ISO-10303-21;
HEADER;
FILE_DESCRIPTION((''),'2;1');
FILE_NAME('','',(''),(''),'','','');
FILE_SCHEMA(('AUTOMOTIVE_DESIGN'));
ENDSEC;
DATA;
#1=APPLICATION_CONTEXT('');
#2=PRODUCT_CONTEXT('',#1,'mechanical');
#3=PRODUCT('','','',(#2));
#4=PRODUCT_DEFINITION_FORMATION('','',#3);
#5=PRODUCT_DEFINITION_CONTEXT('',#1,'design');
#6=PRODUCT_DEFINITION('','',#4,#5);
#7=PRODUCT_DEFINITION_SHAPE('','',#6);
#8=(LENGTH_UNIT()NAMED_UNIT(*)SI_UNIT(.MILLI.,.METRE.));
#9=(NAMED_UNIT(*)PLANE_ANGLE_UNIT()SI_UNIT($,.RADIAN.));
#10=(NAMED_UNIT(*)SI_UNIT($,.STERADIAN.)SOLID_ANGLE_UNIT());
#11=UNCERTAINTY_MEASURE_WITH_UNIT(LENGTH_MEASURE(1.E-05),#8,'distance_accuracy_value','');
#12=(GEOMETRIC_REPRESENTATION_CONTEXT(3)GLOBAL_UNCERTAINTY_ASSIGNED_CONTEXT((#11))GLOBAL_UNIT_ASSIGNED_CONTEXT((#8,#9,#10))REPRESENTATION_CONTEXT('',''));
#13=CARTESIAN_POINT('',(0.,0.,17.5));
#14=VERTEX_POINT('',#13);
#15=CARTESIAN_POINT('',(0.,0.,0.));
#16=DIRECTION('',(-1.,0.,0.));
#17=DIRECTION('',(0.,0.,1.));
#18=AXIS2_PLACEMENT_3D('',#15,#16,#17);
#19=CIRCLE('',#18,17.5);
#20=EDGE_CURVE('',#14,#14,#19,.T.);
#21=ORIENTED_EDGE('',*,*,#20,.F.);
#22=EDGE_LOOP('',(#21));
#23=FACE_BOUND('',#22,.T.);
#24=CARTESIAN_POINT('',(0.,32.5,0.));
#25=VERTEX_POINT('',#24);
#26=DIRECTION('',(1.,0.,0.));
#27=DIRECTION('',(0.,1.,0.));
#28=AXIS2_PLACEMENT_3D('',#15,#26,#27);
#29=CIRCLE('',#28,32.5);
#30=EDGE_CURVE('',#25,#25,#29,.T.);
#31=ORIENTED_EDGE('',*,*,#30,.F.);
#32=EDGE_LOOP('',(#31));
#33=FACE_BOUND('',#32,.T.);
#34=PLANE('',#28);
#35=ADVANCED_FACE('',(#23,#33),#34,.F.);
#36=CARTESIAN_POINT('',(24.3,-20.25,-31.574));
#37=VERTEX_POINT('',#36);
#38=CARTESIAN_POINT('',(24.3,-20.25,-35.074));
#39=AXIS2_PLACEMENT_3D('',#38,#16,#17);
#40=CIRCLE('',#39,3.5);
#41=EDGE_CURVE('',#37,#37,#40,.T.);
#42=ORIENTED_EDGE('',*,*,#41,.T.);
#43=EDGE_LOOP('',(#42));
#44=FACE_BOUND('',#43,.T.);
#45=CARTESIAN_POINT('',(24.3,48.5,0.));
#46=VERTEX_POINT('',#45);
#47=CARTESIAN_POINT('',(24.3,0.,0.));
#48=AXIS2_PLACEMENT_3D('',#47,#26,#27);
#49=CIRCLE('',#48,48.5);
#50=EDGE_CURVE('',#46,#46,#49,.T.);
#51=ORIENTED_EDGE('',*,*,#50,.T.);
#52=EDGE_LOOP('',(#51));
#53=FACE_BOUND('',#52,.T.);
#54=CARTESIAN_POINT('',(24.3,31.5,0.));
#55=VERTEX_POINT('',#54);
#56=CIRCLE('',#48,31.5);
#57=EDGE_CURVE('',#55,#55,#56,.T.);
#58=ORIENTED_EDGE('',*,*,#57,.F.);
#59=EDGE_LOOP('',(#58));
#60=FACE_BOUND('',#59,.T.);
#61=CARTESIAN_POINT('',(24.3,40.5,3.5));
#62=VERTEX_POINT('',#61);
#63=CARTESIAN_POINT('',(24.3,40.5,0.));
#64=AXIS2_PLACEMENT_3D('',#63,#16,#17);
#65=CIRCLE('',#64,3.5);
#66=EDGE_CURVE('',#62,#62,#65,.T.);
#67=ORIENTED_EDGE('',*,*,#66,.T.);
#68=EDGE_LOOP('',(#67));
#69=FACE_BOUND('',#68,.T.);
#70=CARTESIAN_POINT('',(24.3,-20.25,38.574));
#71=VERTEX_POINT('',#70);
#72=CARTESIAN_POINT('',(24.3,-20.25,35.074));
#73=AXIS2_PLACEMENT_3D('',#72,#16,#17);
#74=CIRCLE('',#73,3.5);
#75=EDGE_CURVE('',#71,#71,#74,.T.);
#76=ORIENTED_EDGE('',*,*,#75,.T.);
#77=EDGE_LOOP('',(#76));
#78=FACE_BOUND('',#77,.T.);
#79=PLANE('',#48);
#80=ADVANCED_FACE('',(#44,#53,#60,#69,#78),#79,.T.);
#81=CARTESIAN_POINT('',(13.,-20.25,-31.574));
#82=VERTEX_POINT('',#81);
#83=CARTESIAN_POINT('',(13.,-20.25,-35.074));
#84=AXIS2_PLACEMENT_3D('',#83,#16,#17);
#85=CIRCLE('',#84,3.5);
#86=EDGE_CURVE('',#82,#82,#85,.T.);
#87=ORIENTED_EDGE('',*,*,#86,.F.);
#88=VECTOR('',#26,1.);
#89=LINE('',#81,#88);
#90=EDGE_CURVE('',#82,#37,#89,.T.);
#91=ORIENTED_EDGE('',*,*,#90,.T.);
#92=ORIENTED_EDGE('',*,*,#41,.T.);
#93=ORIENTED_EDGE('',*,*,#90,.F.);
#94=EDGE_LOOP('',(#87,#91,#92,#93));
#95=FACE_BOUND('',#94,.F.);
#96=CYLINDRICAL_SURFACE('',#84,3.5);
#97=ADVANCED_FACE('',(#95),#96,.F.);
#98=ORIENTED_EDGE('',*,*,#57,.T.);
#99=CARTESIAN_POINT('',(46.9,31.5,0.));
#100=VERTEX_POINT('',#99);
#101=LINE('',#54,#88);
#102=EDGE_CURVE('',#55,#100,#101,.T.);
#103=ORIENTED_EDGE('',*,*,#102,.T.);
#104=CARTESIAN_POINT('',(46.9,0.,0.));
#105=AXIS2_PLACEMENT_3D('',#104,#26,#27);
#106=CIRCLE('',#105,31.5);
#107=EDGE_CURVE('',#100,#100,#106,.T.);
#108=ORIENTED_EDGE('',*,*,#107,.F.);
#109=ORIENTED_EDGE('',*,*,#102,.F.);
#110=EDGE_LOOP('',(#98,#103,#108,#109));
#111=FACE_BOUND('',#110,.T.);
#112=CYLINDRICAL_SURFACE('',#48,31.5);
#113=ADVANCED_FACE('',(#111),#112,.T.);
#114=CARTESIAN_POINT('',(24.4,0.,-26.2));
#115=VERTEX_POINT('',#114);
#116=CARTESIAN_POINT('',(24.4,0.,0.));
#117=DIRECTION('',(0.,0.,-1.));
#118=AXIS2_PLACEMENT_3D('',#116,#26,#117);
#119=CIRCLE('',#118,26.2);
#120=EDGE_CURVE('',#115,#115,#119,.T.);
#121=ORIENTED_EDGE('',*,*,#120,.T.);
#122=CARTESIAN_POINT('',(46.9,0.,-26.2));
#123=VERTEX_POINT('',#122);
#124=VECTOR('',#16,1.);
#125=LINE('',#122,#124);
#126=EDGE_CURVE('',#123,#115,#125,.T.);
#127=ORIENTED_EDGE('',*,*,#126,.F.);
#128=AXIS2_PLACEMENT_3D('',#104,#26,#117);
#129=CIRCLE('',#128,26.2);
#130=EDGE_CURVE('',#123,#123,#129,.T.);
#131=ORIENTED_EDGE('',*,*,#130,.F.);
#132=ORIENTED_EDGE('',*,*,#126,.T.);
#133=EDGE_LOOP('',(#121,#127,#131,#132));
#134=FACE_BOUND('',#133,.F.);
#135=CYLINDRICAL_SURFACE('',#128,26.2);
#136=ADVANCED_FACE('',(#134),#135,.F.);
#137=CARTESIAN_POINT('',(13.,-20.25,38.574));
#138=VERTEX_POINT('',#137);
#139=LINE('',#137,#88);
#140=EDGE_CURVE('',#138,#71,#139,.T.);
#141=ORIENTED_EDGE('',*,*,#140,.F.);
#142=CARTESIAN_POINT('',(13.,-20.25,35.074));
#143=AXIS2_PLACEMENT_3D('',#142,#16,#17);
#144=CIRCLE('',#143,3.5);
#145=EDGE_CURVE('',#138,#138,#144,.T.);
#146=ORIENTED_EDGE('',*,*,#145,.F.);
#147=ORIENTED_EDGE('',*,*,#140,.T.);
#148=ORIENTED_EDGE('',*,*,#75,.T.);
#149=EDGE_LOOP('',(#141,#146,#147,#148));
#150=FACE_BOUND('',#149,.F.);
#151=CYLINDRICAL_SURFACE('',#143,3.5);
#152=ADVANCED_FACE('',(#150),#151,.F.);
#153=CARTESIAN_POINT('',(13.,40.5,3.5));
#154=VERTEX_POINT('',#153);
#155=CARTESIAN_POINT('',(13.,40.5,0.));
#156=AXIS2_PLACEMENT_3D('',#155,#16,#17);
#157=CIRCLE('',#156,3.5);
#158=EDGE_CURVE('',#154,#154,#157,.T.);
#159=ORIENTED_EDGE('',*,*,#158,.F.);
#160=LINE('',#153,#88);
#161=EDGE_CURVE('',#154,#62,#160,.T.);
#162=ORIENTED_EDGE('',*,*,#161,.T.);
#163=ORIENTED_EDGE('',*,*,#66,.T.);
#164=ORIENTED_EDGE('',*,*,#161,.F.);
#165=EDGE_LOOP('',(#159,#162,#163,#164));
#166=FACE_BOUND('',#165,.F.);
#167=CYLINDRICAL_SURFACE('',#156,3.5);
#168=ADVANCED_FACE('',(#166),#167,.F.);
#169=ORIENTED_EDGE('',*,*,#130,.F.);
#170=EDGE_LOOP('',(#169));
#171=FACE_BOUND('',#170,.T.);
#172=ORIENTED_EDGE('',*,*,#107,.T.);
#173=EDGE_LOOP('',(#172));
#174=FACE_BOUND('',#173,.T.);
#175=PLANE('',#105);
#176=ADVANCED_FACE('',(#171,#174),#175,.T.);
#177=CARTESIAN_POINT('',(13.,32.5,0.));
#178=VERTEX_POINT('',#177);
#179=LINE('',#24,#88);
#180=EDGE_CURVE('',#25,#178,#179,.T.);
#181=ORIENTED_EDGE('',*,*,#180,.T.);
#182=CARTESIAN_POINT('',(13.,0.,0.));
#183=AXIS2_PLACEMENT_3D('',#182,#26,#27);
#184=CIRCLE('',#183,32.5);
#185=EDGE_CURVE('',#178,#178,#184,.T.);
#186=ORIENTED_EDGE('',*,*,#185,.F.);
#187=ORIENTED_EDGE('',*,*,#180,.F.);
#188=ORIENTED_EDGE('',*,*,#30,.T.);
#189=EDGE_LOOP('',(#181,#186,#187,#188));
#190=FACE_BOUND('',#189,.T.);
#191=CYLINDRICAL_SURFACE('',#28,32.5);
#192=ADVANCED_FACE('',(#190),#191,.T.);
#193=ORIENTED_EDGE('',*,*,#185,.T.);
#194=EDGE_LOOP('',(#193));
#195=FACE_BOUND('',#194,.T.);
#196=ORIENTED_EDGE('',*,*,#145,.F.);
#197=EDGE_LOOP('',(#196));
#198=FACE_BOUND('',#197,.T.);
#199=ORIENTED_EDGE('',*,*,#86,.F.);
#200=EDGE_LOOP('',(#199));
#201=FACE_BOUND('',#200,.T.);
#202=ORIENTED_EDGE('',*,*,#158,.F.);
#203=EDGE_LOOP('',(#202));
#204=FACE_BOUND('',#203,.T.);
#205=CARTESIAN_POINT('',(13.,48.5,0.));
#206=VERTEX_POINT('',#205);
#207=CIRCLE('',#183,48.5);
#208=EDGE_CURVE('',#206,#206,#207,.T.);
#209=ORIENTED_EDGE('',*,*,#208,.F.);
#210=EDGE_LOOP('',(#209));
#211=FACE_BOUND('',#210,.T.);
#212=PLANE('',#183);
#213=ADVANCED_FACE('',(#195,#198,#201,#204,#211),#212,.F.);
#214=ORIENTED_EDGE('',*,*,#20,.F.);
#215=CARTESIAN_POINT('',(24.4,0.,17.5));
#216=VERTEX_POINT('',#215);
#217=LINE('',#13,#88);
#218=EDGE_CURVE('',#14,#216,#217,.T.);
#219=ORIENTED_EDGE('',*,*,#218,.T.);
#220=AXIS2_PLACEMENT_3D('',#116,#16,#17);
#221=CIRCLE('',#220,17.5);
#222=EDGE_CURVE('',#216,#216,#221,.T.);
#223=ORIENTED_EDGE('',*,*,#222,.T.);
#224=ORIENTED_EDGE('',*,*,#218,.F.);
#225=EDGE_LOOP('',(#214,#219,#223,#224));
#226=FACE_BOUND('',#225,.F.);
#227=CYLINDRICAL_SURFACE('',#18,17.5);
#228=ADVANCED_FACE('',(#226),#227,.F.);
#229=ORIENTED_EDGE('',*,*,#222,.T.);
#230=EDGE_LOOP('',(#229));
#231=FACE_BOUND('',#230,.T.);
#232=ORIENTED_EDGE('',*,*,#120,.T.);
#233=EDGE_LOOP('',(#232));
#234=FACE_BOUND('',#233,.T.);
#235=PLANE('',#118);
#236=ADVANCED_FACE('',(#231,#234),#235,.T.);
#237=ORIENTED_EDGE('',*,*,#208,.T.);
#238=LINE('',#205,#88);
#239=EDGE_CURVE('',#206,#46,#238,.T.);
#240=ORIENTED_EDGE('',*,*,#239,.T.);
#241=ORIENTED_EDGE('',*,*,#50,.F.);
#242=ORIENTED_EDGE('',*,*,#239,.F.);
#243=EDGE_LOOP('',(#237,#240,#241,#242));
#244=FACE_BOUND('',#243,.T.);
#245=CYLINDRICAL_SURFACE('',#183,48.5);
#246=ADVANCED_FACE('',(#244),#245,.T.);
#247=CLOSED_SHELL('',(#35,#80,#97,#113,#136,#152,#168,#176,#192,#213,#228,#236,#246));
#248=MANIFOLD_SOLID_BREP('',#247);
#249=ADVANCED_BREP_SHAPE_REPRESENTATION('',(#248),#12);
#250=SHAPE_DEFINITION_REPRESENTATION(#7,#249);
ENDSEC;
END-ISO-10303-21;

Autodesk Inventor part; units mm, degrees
ref_plane "YZ Plane" through (0, 0, 0) normal (1, 0, 0) x (0, 1, 0)
ref_plane "XZ Plane" through (0, 0, 0) normal (0, 1, 0) x (-1, 0, 0)
ref_plane "XY Plane" through (0, 0, 0) normal (0, 0, 1) x (1, 0, 0)
sketch "Sketch1" plane through (0, 0, 0) normal (0, 0, 1) x (1, 0, 0)
  line L0 (0, 0) -> (0, 32.5)
  line L1 (0, 32.5) -> (13, 32.5)
  line L2 (13, 32.5) -> (13, 48.5)
  line L3 (13, 48.5) -> (24.3, 48.5)
  line L4 (24.3, 48.5) -> (24.3, 31.5)
  line L5 (24.3, 31.5) -> (46.9, 31.5)
  line L6 (46.9, 31.5) -> (46.9, 0)
  line L7 (0, 0) -> (46.9, 0)
  dimension "d0" = 32.5
  dimension "d1" = 13
  dimension "d2" = 16
  dimension "d3" = 11.3
  dimension "d4" = 17
  dimension "d5" = 22.6
revolve "Revolution1" add sketch "Sketch1" angle 360 about axis through (0, 0, 0) along (1, 0, 0)
sketch "Sketch2" plane through (13, 0, 0) normal (-1, 0, 0) x (0, 0, 1)
  circle A0 centre (0, 0) radius 32.5 projected
  circle A1 centre (0, 0) radius 48.5 projected
  circle A2 centre (0, 40.5) radius 3.5
  circle A3 centre (35.074, -20.25) radius 3.5
  circle A4 centre (-35.074, -20.25) radius 3.5
  dimension "d11" = 7
  dimension "d12" = 7
  dimension "d13" = 7
extrude "Extrusion1" cut sketch "Sketch2" against normal through all contours A2 | A3 | A4
sketch "Sketch3" plane through (0, 0, 0) normal (-1, 0, 0) x (0, 0, 1)
  circle A0 centre (0, 0) radius 17.5
  dimension "d16" = 35
sketch "Sketch4" plane through (0, 0, 0) normal (-1, 0, 0) x (0, 0, 1)
  point P0 (0, 0)
extrude "Extrusion2" cut sketch "Sketch3" against normal through all
sketch "Sketch5" plane through (46.9, 0, 0) normal (1, 0, 0) x (0, 0, -1)
  circle A0 centre (0, 0) radius 31.5 projected
  circle A1 centre (0, 0) radius 26.2
extrude "Extrusion3" cut sketch "Sketch5" against normal blind 22.5 contours A1
properties part number "capa da engrenagem"
